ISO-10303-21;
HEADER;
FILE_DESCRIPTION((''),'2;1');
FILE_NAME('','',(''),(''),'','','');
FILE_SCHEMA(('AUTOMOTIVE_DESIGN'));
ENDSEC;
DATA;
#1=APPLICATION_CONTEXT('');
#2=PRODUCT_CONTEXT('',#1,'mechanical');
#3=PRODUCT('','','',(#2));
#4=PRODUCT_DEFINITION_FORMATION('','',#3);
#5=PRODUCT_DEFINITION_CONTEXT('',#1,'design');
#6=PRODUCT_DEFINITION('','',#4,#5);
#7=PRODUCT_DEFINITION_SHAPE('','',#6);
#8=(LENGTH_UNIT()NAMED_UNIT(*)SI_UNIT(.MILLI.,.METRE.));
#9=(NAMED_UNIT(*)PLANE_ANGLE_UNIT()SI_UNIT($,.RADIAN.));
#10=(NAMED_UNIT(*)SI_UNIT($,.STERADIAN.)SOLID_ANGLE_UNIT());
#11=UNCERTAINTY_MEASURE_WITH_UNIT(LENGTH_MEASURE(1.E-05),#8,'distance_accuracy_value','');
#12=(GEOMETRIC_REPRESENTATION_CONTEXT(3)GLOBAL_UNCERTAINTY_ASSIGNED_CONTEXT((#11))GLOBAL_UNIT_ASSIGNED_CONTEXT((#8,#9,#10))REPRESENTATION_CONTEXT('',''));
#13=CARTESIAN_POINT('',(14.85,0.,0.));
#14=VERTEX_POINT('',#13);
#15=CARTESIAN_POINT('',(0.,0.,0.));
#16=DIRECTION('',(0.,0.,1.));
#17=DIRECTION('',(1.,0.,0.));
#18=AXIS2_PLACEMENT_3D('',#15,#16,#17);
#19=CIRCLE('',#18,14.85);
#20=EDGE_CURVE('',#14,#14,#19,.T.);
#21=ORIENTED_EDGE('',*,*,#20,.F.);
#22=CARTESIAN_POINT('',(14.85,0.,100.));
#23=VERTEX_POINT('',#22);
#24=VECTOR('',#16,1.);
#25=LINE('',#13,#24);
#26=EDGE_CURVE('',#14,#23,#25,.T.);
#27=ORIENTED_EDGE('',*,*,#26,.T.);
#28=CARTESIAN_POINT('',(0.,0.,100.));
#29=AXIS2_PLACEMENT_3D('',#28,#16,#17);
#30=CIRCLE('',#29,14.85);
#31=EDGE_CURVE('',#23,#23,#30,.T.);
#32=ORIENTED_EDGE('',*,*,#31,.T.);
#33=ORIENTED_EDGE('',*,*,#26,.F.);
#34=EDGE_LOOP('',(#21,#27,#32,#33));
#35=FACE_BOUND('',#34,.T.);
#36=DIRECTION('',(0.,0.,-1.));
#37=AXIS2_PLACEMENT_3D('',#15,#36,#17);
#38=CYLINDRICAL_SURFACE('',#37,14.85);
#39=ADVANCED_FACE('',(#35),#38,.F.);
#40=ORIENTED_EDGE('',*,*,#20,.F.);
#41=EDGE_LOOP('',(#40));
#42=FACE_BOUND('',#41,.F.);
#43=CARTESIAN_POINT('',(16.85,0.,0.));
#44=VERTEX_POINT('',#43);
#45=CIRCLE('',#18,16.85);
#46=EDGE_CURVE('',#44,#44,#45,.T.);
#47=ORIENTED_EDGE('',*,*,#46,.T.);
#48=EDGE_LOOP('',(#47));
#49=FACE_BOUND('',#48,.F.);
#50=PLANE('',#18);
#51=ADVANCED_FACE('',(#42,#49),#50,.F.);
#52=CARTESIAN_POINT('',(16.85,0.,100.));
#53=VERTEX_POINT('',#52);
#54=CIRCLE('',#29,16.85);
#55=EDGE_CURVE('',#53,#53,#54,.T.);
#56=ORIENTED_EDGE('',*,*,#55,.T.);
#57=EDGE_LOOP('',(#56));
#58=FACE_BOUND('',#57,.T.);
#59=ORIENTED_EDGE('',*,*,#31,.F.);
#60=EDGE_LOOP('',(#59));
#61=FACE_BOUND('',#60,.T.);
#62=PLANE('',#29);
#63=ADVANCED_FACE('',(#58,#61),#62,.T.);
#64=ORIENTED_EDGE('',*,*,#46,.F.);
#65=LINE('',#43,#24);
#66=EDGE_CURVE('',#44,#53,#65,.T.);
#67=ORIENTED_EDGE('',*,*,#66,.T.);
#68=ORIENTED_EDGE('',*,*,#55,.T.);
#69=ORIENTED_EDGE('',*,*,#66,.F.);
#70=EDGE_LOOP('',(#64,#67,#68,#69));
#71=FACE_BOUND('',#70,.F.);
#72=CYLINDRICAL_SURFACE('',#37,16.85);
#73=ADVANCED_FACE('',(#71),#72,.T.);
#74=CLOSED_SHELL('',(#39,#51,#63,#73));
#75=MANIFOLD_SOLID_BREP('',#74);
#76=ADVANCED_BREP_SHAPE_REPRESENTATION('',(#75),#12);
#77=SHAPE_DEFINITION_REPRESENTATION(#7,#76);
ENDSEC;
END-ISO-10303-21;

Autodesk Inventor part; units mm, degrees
ref_plane "YZ Plane" through (0, 0, 0) normal (1, 0, 0) x (0, 1, 0)
ref_plane "Start Plane" through (0, 0, 0) normal (0, 0, 1) x (1, 0, 0)
ref_plane "End Plane" through (0, 0, 100) normal (0, 0, 1) x (1, 0, 0)
sketch "Sketch" plane through (0, 0, 0) normal (0, 0, 1) x (1, 0, 0)
  circle A0 centre (0, 0) radius 14.85
  circle A1 centre (0, 0) radius 16.85
  dimension "d0" = 33.7
  dimension "d1" = 2
extrude "Body" add sketch "Sketch" along normal up to surface (100 mm away) from surface at 0
sketch "Sketch3" plane through (0, 0, 0) normal (0, 0, 1) x (1, 0, 0)
  line L0 (0, 0) -> (10, 0)
ref_plane "Work Plane3" through (0, 0, 0) normal (0, -1, 0) x (1, 0, 0)
sketch "Sketch4" plane through (0, 0, 0) normal (0, -1, 0) x (1, 0, 0)
  line L0 (-2, 0) -> (12, 0)
  line L1 (-2, 100) -> (12, 100)
  dimension "d7" = 100
equation "\"d0\" = G_H"
equation "\"d1\" = G_T"
equation "\"d2\" = G_L"
equation "\"G_H\" = 33.7"
equation "\"G_T\" = 2"
equation "\"G_L\" = d7"
equation "\"G_OFFSET_START\" = 0"
equation "\"G_OFFSET_END\" = 0"
properties part number "ISO 10799-2 - 33.7x2.0 - 100" material "Steel, Mild"
